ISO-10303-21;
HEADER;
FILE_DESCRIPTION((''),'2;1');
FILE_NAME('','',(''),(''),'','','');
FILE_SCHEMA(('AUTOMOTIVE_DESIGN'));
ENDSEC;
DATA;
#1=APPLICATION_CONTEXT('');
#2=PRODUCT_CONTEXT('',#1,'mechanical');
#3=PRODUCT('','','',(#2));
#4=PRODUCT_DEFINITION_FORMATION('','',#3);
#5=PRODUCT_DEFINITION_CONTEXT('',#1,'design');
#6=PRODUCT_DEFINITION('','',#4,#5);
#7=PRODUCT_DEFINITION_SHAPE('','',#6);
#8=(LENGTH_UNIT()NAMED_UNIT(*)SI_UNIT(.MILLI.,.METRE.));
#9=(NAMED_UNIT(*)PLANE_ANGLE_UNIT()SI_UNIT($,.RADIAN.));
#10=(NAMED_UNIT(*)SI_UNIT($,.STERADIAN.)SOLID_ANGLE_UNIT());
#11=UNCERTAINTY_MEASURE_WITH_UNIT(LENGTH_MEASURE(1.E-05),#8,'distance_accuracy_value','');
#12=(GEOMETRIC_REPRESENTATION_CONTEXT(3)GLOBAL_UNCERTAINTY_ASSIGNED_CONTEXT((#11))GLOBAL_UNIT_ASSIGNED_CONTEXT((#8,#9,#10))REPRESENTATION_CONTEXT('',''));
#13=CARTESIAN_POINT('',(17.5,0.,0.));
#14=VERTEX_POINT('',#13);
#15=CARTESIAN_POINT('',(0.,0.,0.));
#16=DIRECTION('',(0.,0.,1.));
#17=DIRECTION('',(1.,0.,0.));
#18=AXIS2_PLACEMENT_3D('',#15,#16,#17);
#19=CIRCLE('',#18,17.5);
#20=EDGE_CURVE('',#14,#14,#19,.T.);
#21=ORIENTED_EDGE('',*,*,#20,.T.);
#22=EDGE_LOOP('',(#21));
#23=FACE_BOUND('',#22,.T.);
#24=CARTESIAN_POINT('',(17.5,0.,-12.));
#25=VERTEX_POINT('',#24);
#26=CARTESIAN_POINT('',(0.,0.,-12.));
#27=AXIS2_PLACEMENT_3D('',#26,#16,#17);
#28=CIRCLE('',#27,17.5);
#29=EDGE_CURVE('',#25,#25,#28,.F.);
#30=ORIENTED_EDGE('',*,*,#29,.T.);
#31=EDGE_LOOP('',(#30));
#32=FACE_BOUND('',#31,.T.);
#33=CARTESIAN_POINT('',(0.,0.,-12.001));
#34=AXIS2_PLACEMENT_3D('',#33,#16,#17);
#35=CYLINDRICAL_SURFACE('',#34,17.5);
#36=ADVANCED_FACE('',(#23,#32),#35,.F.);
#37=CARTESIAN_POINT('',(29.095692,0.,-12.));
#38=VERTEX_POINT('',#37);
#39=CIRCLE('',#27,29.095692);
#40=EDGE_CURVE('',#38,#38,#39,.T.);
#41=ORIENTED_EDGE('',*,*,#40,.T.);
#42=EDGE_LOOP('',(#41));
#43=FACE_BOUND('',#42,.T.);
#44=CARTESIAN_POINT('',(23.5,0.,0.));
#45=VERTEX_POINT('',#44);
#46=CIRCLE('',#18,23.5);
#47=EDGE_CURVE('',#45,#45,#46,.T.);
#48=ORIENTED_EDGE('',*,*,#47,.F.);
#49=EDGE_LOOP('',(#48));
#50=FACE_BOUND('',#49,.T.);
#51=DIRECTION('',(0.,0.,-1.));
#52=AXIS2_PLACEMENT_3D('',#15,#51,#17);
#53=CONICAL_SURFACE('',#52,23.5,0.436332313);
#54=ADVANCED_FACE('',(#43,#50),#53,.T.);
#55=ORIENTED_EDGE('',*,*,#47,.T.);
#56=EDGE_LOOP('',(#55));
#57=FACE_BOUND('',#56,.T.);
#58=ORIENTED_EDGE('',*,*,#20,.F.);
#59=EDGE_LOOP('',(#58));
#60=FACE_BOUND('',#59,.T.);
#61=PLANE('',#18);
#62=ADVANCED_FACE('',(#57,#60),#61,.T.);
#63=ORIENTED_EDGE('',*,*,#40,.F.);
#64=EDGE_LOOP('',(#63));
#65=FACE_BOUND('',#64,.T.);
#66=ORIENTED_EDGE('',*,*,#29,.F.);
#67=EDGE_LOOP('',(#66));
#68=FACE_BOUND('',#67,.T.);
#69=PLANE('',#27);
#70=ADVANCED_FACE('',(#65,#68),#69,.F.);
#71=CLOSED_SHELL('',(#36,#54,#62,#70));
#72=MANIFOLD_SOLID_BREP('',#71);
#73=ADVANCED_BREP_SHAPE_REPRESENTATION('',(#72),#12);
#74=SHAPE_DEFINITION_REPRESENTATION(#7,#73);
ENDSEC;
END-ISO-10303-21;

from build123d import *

# Parameters (mm, degrees)
SKETCH1_R           = 23.5
BOSS_EXTRUDE1_DEPTH = 12
BOSS_EXTRUDE1_DRAFT = 25
CUT_EXTRUDE1_REACH  = 44.862
SKETCH2_R           = 17.5


with BuildPart() as part:
    # Sketch1 → Boss-Extrude1 (with draft: the straight prism first)
    with BuildSketch(Plane.XY):
        Circle(SKETCH1_R)
    extrude(amount=-BOSS_EXTRUDE1_DEPTH)
    # Boss-Extrude1: the draft: its side faces are tilted about the plane it starts from
    boss_extrude1_sides = [part.faces().sort_by_distance(p)[0] for p in [
        (-23.5, 0, -6),
    ]]
    draft(boss_extrude1_sides, Plane.XY, BOSS_EXTRUDE1_DRAFT)

    # Sketch2 → Cut-Extrude1 (cut, up to next)
    with BuildSketch(Plane.XY, mode=Mode.PRIVATE) as cut_extrude1_sk1:
        Circle(SKETCH2_R)
    cut_extrude1_tool1 = extrude(cut_extrude1_sk1.sketch, amount=-CUT_EXTRUDE1_REACH, mode=Mode.PRIVATE) & part.part
    add(cut_extrude1_tool1.solids().sort_by_distance((0, 0, 0))[0], mode=Mode.SUBTRACT)


solid = part.part
